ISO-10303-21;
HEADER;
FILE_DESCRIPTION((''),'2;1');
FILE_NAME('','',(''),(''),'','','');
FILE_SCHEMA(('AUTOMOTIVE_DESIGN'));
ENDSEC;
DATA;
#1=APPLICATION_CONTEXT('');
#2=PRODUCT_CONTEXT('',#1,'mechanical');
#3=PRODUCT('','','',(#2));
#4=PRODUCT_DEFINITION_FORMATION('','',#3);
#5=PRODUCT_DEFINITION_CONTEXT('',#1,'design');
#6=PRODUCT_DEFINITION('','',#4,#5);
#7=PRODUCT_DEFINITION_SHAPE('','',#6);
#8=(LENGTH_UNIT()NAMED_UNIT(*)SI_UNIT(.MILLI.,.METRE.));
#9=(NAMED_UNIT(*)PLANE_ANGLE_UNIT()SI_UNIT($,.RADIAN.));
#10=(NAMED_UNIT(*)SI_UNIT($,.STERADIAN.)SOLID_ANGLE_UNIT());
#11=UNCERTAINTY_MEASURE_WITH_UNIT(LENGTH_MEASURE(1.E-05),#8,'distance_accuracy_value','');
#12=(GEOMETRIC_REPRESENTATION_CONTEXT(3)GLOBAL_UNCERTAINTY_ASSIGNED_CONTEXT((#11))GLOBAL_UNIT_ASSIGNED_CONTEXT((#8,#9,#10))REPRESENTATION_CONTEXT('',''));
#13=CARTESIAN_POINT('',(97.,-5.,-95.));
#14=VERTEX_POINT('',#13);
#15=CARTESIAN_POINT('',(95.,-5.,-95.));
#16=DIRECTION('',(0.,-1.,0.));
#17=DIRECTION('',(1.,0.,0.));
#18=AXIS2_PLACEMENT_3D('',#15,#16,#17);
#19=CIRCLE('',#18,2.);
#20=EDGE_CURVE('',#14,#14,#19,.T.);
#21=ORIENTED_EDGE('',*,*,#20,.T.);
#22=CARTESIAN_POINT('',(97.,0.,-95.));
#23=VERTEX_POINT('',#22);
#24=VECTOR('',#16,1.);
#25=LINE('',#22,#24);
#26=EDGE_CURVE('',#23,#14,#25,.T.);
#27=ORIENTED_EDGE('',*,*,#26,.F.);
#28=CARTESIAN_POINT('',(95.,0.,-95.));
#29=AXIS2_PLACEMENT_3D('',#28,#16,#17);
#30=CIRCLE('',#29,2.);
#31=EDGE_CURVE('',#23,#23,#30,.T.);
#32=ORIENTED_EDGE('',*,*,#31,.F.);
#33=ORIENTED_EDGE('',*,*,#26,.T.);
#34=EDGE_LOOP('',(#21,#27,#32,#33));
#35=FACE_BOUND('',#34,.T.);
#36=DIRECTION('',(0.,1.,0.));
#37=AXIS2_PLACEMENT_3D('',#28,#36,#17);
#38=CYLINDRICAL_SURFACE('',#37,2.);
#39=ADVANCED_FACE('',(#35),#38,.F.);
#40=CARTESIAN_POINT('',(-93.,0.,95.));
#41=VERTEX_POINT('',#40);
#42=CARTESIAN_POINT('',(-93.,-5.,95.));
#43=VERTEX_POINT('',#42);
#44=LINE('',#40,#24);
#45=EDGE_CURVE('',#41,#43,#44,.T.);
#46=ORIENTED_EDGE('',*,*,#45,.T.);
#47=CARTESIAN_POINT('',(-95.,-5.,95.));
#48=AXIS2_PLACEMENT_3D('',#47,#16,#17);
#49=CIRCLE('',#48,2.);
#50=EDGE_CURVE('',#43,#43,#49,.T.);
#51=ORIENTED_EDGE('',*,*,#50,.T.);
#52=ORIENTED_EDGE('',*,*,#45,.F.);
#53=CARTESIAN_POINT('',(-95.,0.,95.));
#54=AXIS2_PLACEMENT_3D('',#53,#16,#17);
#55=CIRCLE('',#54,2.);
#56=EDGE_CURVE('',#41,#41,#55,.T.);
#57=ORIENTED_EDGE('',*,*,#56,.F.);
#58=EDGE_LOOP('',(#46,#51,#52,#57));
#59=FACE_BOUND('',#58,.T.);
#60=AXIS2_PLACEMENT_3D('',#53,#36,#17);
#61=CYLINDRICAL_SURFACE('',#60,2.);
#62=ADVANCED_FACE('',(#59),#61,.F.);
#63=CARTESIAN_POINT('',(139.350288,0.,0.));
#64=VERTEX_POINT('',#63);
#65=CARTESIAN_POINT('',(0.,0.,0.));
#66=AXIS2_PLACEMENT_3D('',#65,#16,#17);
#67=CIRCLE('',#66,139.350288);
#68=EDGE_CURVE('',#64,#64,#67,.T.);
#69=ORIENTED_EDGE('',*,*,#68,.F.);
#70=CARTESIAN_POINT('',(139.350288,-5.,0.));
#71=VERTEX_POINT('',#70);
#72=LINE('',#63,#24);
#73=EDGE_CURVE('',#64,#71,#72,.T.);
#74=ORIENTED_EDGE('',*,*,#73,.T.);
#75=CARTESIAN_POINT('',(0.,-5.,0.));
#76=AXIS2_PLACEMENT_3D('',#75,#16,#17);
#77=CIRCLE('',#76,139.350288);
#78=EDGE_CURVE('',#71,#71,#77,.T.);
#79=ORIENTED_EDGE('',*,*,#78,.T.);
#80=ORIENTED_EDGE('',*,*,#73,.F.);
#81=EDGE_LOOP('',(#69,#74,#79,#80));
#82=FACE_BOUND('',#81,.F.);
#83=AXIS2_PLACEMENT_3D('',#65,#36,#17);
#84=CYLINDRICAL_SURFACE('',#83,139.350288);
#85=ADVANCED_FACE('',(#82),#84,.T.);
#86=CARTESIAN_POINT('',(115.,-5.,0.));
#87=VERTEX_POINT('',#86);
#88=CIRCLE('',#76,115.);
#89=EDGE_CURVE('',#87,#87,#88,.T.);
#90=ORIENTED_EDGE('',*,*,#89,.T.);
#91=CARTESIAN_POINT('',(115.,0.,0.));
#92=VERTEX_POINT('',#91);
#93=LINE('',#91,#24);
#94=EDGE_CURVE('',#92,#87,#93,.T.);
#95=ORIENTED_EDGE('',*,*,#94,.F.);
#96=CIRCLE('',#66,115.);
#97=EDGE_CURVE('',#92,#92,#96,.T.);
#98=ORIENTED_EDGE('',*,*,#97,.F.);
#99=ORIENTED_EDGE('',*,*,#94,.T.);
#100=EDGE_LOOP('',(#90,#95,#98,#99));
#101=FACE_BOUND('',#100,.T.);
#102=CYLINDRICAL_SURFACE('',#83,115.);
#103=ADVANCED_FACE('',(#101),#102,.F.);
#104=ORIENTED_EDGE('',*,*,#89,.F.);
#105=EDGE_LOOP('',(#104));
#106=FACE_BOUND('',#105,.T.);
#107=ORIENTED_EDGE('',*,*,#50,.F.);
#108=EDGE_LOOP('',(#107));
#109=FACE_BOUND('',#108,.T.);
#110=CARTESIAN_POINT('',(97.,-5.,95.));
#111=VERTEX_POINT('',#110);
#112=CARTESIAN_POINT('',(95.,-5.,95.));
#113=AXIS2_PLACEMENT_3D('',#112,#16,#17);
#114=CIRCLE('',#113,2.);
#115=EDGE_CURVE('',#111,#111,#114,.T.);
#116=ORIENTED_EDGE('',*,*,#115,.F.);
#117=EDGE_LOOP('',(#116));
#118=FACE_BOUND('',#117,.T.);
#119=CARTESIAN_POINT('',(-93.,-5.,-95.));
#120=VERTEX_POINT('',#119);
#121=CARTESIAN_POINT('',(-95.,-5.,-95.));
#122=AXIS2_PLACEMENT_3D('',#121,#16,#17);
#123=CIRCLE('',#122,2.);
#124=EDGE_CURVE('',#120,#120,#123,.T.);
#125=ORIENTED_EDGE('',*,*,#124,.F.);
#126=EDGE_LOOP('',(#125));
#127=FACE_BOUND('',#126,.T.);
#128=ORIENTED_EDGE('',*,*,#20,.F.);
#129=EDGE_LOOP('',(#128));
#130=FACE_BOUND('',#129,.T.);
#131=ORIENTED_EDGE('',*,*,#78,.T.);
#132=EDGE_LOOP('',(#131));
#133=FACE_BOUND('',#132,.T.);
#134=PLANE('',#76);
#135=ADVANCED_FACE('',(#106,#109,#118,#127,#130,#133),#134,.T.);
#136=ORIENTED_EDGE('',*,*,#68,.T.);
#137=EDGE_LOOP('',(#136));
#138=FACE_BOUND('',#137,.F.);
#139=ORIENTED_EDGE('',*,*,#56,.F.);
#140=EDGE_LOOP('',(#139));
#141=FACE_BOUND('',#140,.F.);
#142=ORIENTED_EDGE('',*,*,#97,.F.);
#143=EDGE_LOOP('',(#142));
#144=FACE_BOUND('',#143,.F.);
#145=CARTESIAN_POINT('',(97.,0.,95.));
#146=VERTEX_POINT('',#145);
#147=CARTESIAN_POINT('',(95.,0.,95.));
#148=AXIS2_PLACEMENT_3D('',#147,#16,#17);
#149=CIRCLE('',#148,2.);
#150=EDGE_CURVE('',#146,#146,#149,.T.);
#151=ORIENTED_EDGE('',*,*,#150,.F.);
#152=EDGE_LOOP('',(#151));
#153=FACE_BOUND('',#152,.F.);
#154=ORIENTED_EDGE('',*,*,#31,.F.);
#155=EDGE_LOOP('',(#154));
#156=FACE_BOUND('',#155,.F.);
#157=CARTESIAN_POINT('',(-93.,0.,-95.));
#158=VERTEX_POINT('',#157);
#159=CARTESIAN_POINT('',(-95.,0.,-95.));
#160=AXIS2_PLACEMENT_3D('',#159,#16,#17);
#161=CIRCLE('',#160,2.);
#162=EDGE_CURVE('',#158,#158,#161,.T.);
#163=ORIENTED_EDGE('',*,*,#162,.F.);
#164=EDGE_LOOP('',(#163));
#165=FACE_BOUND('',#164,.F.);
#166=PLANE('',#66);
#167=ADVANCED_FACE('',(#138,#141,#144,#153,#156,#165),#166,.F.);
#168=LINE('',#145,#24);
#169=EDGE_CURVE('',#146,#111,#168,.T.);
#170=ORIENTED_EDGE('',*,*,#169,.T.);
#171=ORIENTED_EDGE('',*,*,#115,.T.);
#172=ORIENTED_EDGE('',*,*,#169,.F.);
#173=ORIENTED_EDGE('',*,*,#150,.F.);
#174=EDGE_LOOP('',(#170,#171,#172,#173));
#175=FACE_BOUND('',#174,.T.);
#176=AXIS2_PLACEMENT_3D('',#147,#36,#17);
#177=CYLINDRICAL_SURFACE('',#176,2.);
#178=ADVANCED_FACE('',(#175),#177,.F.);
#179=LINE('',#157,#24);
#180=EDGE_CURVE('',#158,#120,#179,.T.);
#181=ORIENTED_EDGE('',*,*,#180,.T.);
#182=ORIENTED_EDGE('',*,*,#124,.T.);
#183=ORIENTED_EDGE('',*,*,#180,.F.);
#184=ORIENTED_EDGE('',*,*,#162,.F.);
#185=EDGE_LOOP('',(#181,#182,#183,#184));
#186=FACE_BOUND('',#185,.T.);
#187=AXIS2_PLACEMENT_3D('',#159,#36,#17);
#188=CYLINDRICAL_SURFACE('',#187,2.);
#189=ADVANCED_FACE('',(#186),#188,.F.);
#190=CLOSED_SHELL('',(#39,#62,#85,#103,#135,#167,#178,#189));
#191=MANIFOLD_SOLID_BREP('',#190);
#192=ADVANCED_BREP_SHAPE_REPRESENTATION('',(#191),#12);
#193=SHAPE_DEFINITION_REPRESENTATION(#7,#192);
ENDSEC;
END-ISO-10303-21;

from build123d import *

# Parameters (mm, degrees)
F0_R     = 139.350288
F0_R_2   = 2
F0_R_3   = 115
F1_DEPTH = 5


with BuildPart() as f1:
    # F0 (on Front) → F1 (new body)
    with BuildSketch(Plane.XZ):
        Circle(F0_R)
        with Locations((-95, -95)):
            Circle(F0_R_2, mode=Mode.SUBTRACT)
        with Locations((95, -95)):
            Circle(F0_R_2, mode=Mode.SUBTRACT)
        with Locations((-95, 95)):
            Circle(F0_R_2, mode=Mode.SUBTRACT)
        Circle(F0_R_3, mode=Mode.SUBTRACT)
        with Locations((95, 95)):
            Circle(F0_R_2, mode=Mode.SUBTRACT)
    extrude(amount=F1_DEPTH)


solid = f1.part
